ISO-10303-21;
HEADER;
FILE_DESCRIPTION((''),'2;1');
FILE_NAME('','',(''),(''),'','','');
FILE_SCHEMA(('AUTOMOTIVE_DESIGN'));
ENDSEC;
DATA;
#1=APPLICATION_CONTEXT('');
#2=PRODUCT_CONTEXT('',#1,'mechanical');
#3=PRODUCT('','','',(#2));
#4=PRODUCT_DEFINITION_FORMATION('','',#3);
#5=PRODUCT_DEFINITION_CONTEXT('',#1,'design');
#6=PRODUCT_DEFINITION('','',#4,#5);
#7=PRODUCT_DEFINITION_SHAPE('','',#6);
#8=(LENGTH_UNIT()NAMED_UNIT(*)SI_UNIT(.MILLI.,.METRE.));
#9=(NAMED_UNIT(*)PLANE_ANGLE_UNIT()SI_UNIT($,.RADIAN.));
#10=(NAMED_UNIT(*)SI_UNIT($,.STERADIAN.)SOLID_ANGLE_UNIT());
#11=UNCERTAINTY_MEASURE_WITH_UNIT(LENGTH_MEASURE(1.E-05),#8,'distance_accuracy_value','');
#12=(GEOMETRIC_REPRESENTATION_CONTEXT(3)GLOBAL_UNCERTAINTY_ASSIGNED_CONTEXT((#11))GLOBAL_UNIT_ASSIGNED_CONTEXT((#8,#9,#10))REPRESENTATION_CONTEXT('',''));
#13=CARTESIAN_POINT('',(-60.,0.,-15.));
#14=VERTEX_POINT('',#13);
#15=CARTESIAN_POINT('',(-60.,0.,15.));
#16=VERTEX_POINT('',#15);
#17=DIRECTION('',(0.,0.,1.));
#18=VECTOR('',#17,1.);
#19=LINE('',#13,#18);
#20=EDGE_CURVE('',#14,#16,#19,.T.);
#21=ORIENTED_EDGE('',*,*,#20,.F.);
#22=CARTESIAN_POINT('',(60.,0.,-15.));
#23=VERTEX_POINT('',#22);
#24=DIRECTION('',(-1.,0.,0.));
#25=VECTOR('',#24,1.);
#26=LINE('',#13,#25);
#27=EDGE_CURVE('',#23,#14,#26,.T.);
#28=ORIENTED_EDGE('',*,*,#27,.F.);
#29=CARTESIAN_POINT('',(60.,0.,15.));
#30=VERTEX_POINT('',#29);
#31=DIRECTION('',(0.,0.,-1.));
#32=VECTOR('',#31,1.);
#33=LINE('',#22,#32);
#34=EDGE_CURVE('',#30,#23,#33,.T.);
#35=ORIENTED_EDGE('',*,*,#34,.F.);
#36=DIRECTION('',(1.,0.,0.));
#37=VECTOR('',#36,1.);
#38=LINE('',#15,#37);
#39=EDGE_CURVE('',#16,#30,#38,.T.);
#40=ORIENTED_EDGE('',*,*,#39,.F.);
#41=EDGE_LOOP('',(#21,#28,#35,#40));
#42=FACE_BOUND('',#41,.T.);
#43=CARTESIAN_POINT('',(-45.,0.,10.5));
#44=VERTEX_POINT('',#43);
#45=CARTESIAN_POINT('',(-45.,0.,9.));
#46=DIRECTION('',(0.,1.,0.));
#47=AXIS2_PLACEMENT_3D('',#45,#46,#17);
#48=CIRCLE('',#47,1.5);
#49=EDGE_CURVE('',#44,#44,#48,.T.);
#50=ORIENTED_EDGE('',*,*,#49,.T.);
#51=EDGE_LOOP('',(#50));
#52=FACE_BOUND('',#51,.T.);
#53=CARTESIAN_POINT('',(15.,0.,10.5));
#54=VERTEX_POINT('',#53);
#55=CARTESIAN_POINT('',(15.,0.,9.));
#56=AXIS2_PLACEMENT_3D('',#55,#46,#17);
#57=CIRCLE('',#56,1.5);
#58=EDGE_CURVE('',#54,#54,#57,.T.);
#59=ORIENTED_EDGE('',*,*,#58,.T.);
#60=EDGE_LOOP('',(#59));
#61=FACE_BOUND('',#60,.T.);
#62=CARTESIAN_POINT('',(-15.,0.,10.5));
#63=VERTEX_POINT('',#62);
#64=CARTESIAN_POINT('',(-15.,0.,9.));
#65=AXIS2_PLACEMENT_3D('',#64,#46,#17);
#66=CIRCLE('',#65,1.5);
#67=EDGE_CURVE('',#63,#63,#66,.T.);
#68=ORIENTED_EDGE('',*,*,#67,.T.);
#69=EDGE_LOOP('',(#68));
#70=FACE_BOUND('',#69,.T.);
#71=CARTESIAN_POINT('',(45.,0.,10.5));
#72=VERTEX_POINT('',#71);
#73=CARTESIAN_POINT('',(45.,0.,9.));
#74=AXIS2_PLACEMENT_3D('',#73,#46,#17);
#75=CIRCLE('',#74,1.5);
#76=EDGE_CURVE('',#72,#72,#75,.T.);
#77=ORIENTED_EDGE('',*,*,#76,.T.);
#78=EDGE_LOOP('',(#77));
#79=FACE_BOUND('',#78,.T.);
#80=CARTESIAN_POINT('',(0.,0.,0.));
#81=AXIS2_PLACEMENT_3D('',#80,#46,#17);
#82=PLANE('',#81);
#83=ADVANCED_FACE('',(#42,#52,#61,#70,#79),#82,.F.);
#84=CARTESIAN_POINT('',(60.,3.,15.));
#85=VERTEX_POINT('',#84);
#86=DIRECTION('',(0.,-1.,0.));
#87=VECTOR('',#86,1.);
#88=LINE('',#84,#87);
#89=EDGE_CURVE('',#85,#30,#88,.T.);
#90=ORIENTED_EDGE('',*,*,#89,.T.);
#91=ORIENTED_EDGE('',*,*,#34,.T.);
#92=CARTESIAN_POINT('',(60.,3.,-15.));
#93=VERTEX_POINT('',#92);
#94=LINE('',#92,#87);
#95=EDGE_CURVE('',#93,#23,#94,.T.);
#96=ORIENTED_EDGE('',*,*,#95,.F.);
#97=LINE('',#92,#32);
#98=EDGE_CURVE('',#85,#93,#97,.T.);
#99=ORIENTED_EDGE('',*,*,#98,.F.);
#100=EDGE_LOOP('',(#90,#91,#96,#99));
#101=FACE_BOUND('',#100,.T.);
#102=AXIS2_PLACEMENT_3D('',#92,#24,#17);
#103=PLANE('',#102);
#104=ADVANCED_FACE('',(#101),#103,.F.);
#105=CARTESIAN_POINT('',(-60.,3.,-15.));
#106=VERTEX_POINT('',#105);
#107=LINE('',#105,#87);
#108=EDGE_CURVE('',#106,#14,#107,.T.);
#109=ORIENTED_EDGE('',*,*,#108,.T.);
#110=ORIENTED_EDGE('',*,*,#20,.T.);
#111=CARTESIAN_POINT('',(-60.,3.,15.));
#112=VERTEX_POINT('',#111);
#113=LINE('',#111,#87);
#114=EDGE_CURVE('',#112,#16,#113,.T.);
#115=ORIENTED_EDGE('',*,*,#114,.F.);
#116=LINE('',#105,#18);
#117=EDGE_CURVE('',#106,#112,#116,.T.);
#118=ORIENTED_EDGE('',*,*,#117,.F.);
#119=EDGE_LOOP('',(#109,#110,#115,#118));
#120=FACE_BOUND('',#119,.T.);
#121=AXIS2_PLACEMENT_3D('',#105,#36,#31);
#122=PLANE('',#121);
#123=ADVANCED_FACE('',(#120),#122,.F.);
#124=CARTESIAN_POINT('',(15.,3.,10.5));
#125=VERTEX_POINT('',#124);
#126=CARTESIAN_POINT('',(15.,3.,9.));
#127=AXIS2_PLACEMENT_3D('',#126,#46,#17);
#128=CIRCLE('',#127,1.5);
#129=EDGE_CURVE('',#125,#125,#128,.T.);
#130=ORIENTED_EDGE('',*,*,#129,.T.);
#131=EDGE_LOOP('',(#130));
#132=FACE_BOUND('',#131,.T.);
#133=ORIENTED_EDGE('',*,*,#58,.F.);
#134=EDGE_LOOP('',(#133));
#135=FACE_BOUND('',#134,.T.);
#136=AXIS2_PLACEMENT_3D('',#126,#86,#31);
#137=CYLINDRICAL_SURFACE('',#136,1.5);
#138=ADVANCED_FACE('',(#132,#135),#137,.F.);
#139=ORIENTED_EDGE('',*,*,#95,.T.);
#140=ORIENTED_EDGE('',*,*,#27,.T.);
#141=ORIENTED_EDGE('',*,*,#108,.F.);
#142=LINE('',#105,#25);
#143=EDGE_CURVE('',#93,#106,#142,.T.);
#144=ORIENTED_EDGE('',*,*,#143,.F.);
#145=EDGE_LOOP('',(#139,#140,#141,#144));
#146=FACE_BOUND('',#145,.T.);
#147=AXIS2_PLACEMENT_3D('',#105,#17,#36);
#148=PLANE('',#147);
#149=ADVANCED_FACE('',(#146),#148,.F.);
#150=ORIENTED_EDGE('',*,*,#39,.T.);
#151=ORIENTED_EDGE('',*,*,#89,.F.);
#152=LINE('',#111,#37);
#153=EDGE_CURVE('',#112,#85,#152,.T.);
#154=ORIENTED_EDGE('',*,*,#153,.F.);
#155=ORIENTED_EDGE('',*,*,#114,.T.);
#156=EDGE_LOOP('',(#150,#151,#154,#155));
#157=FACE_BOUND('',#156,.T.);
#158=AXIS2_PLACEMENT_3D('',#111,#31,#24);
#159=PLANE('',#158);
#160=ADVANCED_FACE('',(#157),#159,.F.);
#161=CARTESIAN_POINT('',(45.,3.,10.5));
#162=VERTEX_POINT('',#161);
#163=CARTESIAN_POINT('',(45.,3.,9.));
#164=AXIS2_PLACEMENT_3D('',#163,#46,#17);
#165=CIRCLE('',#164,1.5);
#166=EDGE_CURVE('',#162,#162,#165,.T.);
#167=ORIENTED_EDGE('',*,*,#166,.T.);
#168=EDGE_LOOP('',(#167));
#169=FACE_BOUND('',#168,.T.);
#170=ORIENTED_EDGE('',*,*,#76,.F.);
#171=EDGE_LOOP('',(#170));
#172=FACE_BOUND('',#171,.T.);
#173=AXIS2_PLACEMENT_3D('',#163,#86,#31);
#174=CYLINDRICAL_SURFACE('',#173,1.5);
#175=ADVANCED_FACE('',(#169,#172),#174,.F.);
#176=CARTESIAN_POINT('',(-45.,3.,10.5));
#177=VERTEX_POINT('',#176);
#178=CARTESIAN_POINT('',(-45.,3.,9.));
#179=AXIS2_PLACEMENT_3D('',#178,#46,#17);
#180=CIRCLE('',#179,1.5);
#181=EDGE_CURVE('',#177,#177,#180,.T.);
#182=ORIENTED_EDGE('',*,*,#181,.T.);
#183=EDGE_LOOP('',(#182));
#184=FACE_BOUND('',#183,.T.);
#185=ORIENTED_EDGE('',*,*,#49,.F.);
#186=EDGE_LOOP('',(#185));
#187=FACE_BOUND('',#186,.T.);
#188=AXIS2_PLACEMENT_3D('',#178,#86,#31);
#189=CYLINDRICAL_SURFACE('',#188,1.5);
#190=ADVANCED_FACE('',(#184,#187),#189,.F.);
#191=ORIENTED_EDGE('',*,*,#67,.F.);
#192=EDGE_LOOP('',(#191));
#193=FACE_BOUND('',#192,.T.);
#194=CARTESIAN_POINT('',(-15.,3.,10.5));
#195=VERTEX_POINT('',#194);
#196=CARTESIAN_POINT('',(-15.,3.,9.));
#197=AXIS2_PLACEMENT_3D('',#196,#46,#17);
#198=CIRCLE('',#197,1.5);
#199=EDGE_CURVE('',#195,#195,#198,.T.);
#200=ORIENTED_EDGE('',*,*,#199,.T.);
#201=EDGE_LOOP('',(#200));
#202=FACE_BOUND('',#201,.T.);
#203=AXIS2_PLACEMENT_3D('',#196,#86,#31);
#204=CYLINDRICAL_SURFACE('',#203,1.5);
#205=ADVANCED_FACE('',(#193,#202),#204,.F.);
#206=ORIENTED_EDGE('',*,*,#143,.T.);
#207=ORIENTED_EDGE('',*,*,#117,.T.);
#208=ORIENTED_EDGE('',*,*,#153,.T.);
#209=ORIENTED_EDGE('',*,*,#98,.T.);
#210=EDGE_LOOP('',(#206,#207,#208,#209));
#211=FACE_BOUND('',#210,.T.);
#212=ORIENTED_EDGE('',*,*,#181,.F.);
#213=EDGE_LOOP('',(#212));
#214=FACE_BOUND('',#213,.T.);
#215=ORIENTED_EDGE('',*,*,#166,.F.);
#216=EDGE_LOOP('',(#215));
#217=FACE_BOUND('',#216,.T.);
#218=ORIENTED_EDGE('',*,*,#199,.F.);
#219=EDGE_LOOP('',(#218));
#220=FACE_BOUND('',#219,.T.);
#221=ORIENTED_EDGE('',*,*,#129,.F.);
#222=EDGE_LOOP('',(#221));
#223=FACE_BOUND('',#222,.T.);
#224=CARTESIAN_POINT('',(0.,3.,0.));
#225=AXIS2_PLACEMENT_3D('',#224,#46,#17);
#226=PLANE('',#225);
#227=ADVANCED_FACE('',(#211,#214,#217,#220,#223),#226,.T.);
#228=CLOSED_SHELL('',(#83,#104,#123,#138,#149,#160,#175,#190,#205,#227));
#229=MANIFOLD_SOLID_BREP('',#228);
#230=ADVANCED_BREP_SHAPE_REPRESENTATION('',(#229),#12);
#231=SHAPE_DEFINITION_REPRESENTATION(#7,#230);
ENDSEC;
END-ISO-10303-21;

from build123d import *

# Parameters (mm, degrees)
SKETCH2_W           = 120
SKETCH2_H           = 30
SKETCH2_R           = 1.5
BOSS_EXTRUDE1_DEPTH = 3


with BuildPart() as part:
    # Sketch2 → Boss-Extrude1 (new body)
    with BuildSketch(Plane(origin=(0, 0, 0), x_dir=(1, 0, 0), z_dir=(0, 1, 0))):
        Rectangle(SKETCH2_W, SKETCH2_H)
        with Locations(Location((-45, -9, 0), (0, 0, 270))):
            Circle(SKETCH2_R, mode=Mode.SUBTRACT)
        with Locations(Location((-15, -9, 0), (0, 0, 270))):
            Circle(SKETCH2_R, mode=Mode.SUBTRACT)
        with Locations(Location((15, -9, 0), (0, 0, 270))):
            Circle(SKETCH2_R, mode=Mode.SUBTRACT)
        with Locations(Location((45, -9, 0), (0, 0, 270))):
            Circle(SKETCH2_R, mode=Mode.SUBTRACT)
    extrude(amount=BOSS_EXTRUDE1_DEPTH)


solid = part.part
